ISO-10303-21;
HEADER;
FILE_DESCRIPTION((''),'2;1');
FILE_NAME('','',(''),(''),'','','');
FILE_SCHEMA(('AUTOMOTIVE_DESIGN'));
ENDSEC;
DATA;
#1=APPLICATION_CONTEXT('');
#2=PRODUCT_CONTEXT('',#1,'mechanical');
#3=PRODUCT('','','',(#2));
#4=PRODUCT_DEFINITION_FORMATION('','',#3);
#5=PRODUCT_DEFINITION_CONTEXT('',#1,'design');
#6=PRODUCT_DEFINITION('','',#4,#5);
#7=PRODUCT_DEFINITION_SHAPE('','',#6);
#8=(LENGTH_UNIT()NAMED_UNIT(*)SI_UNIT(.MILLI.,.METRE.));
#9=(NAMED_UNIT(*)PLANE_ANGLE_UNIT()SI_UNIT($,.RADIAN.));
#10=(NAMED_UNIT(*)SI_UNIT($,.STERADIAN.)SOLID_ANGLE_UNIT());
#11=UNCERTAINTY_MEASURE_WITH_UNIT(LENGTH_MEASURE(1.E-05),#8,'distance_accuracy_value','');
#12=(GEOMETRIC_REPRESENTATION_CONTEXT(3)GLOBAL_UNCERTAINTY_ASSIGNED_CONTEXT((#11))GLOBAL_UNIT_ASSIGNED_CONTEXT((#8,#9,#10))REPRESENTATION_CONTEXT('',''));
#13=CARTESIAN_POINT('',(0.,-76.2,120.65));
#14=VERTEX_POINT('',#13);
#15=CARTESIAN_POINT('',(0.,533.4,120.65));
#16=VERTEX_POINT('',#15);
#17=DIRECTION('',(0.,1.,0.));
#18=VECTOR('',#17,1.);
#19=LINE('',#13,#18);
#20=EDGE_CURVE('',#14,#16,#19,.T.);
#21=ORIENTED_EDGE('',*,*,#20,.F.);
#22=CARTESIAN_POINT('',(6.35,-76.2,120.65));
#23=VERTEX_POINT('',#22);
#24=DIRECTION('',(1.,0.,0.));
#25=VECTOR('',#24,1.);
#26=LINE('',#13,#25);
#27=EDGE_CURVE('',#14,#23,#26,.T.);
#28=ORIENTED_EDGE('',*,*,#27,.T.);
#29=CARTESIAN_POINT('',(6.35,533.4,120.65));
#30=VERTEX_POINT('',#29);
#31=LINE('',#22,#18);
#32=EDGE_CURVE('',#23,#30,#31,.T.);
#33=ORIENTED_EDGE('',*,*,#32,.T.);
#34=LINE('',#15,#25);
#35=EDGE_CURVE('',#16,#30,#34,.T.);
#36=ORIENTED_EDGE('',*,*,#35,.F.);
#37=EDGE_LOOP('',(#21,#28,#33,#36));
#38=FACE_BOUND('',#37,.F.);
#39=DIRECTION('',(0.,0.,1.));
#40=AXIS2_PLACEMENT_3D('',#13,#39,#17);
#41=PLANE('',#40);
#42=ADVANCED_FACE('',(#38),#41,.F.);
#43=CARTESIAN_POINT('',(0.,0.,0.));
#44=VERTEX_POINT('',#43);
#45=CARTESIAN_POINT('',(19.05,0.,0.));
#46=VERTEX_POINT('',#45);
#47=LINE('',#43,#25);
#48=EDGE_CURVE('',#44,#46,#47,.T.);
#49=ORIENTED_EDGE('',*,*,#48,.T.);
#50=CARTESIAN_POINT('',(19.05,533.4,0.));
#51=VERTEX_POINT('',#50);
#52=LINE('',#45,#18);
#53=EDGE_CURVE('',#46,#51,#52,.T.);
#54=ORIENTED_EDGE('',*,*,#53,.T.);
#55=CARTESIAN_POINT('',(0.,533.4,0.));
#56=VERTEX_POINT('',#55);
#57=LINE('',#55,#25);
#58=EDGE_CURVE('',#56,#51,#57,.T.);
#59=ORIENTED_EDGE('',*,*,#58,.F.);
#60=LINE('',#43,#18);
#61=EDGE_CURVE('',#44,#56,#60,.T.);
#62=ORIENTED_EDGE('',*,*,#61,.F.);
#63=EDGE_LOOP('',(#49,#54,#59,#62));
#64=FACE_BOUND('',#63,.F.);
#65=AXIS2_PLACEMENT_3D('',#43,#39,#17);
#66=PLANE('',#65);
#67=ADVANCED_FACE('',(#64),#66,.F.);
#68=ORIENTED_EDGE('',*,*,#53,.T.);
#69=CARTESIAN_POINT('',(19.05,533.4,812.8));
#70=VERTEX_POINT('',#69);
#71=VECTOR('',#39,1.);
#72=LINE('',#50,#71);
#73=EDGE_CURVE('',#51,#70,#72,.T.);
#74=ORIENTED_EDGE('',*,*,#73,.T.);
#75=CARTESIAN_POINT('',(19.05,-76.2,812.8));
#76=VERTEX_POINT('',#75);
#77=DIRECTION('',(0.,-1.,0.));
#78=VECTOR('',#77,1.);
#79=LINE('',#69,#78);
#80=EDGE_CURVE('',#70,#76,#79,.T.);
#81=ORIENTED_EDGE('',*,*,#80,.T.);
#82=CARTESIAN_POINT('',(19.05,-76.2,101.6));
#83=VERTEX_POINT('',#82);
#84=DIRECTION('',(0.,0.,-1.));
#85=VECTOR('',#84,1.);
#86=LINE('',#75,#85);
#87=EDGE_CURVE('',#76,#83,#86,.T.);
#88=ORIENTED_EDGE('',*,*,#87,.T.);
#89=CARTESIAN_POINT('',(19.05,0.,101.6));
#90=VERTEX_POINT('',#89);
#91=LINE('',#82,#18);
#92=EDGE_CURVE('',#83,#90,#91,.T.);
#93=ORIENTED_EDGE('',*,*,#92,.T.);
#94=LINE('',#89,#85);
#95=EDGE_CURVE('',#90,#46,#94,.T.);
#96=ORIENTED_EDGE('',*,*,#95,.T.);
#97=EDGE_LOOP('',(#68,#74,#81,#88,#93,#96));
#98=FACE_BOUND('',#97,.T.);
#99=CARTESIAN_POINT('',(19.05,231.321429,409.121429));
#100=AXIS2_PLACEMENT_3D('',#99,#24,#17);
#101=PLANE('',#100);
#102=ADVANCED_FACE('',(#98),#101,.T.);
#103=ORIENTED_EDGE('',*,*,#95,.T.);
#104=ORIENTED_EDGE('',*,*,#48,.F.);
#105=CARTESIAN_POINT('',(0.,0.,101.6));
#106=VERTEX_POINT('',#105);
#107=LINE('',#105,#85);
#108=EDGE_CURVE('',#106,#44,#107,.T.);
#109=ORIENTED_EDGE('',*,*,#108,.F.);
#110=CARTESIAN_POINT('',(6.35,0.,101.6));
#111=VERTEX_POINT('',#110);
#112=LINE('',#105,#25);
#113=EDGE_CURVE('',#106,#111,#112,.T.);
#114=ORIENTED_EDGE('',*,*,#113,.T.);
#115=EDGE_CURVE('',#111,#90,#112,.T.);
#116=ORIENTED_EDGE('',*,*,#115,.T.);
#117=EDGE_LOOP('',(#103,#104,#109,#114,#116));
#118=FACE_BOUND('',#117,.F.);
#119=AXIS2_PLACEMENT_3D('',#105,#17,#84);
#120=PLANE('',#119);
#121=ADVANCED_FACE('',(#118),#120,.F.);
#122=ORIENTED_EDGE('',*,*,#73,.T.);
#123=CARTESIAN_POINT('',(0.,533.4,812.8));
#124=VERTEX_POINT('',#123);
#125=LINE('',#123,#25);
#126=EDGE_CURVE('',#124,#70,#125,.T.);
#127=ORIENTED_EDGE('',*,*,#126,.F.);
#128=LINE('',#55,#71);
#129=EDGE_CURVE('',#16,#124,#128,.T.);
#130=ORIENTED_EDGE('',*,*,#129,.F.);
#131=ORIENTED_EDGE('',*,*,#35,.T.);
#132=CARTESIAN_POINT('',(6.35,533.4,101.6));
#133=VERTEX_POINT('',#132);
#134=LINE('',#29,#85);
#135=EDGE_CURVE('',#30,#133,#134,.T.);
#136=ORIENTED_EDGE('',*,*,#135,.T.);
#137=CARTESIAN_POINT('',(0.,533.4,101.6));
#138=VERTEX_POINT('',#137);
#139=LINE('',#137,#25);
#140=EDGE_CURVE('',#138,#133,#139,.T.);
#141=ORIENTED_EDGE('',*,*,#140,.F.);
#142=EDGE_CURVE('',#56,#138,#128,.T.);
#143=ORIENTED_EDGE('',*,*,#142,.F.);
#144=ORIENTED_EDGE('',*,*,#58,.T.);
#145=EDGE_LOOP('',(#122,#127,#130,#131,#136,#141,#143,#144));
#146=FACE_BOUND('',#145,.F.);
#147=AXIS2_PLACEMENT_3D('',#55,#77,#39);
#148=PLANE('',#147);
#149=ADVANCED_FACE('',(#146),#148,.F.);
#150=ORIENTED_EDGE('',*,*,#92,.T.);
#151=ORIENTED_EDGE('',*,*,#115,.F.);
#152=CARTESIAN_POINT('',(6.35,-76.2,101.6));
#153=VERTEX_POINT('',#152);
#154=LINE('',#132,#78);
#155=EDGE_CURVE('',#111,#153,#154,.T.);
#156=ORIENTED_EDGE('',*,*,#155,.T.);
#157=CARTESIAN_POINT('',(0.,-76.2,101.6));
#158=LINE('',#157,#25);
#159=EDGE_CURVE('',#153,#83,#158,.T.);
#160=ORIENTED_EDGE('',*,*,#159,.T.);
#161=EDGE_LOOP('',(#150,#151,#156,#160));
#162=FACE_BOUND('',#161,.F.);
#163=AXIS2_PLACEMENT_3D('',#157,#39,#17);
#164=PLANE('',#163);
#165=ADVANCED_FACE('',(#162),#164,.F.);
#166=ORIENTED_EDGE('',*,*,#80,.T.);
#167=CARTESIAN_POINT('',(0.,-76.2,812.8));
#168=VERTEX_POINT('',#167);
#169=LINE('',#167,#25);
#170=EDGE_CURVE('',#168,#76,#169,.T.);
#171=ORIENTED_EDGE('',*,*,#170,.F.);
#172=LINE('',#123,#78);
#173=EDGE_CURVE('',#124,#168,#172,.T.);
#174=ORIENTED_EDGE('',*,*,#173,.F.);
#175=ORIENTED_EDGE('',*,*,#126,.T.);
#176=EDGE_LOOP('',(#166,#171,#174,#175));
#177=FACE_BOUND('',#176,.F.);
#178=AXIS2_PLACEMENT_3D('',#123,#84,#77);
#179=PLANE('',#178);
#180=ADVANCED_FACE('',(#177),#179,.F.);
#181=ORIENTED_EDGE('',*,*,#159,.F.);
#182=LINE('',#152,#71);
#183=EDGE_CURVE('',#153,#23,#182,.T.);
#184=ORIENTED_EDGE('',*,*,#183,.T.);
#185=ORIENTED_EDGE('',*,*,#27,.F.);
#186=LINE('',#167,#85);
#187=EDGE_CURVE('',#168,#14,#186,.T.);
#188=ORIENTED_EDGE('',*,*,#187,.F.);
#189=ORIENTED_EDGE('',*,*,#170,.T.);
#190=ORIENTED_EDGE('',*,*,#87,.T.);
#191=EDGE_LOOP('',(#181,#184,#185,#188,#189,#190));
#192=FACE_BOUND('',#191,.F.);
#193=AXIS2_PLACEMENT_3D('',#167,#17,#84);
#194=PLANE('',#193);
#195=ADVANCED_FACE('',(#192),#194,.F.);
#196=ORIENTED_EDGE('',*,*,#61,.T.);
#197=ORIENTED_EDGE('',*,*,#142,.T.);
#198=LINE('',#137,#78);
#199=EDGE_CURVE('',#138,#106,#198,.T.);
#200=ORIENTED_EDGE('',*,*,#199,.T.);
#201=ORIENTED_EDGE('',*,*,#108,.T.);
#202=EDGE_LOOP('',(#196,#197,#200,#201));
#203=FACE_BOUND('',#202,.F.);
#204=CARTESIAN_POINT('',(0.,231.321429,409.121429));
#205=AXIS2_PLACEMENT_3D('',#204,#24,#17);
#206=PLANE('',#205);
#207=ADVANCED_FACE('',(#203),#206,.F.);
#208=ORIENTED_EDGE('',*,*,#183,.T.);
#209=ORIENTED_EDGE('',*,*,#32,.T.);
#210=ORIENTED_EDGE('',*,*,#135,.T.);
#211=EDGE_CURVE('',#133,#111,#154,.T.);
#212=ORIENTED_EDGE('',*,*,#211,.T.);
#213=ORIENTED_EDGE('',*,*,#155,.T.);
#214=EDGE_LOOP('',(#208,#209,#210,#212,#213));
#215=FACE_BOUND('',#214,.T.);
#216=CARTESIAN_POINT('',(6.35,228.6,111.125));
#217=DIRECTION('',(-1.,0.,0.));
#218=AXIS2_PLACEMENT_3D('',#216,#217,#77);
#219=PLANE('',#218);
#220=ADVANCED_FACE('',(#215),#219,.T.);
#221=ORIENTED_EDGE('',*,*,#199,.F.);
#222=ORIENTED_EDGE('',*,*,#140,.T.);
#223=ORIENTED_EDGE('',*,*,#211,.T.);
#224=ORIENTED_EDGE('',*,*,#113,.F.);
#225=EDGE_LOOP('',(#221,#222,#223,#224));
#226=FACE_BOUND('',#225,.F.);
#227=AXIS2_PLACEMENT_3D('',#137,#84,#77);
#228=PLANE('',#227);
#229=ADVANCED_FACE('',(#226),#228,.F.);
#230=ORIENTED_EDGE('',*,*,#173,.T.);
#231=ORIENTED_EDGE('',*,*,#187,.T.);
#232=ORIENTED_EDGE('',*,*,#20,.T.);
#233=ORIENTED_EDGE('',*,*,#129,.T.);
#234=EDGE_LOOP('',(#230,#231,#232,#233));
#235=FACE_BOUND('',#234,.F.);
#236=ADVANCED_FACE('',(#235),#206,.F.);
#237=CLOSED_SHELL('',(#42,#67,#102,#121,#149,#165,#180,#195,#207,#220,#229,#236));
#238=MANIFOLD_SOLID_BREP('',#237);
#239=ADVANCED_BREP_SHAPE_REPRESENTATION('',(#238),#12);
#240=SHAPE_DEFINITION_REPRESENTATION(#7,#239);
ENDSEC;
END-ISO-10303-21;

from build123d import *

# Parameters (mm, degrees)
F1_DEPTH = 19.05
F3_DEPTH = 6.35


with BuildPart() as f1:
    # F0 (on Right) → F1 (new body)
    with BuildSketch(Plane.YZ):
        Polygon((0, 101.6), (0, 0), (533.4, 0), (533.4, 812.8), (-76.2, 812.8), (-76.2, 101.6), align=None)
    extrude(amount=F1_DEPTH)

    # F2 (on face) → F3 (cut)
    with BuildSketch(Plane(origin=(0, 0, 0), x_dir=(0, -1, 0), z_dir=(-1, 0, 0))):
        Polygon((0, 101.6), (76.2, 101.6), (76.2, 120.65), (-533.4, 120.65), (-533.4, 101.6), align=None)
    extrude(amount=-F3_DEPTH, mode=Mode.SUBTRACT)


solid = f1.part
